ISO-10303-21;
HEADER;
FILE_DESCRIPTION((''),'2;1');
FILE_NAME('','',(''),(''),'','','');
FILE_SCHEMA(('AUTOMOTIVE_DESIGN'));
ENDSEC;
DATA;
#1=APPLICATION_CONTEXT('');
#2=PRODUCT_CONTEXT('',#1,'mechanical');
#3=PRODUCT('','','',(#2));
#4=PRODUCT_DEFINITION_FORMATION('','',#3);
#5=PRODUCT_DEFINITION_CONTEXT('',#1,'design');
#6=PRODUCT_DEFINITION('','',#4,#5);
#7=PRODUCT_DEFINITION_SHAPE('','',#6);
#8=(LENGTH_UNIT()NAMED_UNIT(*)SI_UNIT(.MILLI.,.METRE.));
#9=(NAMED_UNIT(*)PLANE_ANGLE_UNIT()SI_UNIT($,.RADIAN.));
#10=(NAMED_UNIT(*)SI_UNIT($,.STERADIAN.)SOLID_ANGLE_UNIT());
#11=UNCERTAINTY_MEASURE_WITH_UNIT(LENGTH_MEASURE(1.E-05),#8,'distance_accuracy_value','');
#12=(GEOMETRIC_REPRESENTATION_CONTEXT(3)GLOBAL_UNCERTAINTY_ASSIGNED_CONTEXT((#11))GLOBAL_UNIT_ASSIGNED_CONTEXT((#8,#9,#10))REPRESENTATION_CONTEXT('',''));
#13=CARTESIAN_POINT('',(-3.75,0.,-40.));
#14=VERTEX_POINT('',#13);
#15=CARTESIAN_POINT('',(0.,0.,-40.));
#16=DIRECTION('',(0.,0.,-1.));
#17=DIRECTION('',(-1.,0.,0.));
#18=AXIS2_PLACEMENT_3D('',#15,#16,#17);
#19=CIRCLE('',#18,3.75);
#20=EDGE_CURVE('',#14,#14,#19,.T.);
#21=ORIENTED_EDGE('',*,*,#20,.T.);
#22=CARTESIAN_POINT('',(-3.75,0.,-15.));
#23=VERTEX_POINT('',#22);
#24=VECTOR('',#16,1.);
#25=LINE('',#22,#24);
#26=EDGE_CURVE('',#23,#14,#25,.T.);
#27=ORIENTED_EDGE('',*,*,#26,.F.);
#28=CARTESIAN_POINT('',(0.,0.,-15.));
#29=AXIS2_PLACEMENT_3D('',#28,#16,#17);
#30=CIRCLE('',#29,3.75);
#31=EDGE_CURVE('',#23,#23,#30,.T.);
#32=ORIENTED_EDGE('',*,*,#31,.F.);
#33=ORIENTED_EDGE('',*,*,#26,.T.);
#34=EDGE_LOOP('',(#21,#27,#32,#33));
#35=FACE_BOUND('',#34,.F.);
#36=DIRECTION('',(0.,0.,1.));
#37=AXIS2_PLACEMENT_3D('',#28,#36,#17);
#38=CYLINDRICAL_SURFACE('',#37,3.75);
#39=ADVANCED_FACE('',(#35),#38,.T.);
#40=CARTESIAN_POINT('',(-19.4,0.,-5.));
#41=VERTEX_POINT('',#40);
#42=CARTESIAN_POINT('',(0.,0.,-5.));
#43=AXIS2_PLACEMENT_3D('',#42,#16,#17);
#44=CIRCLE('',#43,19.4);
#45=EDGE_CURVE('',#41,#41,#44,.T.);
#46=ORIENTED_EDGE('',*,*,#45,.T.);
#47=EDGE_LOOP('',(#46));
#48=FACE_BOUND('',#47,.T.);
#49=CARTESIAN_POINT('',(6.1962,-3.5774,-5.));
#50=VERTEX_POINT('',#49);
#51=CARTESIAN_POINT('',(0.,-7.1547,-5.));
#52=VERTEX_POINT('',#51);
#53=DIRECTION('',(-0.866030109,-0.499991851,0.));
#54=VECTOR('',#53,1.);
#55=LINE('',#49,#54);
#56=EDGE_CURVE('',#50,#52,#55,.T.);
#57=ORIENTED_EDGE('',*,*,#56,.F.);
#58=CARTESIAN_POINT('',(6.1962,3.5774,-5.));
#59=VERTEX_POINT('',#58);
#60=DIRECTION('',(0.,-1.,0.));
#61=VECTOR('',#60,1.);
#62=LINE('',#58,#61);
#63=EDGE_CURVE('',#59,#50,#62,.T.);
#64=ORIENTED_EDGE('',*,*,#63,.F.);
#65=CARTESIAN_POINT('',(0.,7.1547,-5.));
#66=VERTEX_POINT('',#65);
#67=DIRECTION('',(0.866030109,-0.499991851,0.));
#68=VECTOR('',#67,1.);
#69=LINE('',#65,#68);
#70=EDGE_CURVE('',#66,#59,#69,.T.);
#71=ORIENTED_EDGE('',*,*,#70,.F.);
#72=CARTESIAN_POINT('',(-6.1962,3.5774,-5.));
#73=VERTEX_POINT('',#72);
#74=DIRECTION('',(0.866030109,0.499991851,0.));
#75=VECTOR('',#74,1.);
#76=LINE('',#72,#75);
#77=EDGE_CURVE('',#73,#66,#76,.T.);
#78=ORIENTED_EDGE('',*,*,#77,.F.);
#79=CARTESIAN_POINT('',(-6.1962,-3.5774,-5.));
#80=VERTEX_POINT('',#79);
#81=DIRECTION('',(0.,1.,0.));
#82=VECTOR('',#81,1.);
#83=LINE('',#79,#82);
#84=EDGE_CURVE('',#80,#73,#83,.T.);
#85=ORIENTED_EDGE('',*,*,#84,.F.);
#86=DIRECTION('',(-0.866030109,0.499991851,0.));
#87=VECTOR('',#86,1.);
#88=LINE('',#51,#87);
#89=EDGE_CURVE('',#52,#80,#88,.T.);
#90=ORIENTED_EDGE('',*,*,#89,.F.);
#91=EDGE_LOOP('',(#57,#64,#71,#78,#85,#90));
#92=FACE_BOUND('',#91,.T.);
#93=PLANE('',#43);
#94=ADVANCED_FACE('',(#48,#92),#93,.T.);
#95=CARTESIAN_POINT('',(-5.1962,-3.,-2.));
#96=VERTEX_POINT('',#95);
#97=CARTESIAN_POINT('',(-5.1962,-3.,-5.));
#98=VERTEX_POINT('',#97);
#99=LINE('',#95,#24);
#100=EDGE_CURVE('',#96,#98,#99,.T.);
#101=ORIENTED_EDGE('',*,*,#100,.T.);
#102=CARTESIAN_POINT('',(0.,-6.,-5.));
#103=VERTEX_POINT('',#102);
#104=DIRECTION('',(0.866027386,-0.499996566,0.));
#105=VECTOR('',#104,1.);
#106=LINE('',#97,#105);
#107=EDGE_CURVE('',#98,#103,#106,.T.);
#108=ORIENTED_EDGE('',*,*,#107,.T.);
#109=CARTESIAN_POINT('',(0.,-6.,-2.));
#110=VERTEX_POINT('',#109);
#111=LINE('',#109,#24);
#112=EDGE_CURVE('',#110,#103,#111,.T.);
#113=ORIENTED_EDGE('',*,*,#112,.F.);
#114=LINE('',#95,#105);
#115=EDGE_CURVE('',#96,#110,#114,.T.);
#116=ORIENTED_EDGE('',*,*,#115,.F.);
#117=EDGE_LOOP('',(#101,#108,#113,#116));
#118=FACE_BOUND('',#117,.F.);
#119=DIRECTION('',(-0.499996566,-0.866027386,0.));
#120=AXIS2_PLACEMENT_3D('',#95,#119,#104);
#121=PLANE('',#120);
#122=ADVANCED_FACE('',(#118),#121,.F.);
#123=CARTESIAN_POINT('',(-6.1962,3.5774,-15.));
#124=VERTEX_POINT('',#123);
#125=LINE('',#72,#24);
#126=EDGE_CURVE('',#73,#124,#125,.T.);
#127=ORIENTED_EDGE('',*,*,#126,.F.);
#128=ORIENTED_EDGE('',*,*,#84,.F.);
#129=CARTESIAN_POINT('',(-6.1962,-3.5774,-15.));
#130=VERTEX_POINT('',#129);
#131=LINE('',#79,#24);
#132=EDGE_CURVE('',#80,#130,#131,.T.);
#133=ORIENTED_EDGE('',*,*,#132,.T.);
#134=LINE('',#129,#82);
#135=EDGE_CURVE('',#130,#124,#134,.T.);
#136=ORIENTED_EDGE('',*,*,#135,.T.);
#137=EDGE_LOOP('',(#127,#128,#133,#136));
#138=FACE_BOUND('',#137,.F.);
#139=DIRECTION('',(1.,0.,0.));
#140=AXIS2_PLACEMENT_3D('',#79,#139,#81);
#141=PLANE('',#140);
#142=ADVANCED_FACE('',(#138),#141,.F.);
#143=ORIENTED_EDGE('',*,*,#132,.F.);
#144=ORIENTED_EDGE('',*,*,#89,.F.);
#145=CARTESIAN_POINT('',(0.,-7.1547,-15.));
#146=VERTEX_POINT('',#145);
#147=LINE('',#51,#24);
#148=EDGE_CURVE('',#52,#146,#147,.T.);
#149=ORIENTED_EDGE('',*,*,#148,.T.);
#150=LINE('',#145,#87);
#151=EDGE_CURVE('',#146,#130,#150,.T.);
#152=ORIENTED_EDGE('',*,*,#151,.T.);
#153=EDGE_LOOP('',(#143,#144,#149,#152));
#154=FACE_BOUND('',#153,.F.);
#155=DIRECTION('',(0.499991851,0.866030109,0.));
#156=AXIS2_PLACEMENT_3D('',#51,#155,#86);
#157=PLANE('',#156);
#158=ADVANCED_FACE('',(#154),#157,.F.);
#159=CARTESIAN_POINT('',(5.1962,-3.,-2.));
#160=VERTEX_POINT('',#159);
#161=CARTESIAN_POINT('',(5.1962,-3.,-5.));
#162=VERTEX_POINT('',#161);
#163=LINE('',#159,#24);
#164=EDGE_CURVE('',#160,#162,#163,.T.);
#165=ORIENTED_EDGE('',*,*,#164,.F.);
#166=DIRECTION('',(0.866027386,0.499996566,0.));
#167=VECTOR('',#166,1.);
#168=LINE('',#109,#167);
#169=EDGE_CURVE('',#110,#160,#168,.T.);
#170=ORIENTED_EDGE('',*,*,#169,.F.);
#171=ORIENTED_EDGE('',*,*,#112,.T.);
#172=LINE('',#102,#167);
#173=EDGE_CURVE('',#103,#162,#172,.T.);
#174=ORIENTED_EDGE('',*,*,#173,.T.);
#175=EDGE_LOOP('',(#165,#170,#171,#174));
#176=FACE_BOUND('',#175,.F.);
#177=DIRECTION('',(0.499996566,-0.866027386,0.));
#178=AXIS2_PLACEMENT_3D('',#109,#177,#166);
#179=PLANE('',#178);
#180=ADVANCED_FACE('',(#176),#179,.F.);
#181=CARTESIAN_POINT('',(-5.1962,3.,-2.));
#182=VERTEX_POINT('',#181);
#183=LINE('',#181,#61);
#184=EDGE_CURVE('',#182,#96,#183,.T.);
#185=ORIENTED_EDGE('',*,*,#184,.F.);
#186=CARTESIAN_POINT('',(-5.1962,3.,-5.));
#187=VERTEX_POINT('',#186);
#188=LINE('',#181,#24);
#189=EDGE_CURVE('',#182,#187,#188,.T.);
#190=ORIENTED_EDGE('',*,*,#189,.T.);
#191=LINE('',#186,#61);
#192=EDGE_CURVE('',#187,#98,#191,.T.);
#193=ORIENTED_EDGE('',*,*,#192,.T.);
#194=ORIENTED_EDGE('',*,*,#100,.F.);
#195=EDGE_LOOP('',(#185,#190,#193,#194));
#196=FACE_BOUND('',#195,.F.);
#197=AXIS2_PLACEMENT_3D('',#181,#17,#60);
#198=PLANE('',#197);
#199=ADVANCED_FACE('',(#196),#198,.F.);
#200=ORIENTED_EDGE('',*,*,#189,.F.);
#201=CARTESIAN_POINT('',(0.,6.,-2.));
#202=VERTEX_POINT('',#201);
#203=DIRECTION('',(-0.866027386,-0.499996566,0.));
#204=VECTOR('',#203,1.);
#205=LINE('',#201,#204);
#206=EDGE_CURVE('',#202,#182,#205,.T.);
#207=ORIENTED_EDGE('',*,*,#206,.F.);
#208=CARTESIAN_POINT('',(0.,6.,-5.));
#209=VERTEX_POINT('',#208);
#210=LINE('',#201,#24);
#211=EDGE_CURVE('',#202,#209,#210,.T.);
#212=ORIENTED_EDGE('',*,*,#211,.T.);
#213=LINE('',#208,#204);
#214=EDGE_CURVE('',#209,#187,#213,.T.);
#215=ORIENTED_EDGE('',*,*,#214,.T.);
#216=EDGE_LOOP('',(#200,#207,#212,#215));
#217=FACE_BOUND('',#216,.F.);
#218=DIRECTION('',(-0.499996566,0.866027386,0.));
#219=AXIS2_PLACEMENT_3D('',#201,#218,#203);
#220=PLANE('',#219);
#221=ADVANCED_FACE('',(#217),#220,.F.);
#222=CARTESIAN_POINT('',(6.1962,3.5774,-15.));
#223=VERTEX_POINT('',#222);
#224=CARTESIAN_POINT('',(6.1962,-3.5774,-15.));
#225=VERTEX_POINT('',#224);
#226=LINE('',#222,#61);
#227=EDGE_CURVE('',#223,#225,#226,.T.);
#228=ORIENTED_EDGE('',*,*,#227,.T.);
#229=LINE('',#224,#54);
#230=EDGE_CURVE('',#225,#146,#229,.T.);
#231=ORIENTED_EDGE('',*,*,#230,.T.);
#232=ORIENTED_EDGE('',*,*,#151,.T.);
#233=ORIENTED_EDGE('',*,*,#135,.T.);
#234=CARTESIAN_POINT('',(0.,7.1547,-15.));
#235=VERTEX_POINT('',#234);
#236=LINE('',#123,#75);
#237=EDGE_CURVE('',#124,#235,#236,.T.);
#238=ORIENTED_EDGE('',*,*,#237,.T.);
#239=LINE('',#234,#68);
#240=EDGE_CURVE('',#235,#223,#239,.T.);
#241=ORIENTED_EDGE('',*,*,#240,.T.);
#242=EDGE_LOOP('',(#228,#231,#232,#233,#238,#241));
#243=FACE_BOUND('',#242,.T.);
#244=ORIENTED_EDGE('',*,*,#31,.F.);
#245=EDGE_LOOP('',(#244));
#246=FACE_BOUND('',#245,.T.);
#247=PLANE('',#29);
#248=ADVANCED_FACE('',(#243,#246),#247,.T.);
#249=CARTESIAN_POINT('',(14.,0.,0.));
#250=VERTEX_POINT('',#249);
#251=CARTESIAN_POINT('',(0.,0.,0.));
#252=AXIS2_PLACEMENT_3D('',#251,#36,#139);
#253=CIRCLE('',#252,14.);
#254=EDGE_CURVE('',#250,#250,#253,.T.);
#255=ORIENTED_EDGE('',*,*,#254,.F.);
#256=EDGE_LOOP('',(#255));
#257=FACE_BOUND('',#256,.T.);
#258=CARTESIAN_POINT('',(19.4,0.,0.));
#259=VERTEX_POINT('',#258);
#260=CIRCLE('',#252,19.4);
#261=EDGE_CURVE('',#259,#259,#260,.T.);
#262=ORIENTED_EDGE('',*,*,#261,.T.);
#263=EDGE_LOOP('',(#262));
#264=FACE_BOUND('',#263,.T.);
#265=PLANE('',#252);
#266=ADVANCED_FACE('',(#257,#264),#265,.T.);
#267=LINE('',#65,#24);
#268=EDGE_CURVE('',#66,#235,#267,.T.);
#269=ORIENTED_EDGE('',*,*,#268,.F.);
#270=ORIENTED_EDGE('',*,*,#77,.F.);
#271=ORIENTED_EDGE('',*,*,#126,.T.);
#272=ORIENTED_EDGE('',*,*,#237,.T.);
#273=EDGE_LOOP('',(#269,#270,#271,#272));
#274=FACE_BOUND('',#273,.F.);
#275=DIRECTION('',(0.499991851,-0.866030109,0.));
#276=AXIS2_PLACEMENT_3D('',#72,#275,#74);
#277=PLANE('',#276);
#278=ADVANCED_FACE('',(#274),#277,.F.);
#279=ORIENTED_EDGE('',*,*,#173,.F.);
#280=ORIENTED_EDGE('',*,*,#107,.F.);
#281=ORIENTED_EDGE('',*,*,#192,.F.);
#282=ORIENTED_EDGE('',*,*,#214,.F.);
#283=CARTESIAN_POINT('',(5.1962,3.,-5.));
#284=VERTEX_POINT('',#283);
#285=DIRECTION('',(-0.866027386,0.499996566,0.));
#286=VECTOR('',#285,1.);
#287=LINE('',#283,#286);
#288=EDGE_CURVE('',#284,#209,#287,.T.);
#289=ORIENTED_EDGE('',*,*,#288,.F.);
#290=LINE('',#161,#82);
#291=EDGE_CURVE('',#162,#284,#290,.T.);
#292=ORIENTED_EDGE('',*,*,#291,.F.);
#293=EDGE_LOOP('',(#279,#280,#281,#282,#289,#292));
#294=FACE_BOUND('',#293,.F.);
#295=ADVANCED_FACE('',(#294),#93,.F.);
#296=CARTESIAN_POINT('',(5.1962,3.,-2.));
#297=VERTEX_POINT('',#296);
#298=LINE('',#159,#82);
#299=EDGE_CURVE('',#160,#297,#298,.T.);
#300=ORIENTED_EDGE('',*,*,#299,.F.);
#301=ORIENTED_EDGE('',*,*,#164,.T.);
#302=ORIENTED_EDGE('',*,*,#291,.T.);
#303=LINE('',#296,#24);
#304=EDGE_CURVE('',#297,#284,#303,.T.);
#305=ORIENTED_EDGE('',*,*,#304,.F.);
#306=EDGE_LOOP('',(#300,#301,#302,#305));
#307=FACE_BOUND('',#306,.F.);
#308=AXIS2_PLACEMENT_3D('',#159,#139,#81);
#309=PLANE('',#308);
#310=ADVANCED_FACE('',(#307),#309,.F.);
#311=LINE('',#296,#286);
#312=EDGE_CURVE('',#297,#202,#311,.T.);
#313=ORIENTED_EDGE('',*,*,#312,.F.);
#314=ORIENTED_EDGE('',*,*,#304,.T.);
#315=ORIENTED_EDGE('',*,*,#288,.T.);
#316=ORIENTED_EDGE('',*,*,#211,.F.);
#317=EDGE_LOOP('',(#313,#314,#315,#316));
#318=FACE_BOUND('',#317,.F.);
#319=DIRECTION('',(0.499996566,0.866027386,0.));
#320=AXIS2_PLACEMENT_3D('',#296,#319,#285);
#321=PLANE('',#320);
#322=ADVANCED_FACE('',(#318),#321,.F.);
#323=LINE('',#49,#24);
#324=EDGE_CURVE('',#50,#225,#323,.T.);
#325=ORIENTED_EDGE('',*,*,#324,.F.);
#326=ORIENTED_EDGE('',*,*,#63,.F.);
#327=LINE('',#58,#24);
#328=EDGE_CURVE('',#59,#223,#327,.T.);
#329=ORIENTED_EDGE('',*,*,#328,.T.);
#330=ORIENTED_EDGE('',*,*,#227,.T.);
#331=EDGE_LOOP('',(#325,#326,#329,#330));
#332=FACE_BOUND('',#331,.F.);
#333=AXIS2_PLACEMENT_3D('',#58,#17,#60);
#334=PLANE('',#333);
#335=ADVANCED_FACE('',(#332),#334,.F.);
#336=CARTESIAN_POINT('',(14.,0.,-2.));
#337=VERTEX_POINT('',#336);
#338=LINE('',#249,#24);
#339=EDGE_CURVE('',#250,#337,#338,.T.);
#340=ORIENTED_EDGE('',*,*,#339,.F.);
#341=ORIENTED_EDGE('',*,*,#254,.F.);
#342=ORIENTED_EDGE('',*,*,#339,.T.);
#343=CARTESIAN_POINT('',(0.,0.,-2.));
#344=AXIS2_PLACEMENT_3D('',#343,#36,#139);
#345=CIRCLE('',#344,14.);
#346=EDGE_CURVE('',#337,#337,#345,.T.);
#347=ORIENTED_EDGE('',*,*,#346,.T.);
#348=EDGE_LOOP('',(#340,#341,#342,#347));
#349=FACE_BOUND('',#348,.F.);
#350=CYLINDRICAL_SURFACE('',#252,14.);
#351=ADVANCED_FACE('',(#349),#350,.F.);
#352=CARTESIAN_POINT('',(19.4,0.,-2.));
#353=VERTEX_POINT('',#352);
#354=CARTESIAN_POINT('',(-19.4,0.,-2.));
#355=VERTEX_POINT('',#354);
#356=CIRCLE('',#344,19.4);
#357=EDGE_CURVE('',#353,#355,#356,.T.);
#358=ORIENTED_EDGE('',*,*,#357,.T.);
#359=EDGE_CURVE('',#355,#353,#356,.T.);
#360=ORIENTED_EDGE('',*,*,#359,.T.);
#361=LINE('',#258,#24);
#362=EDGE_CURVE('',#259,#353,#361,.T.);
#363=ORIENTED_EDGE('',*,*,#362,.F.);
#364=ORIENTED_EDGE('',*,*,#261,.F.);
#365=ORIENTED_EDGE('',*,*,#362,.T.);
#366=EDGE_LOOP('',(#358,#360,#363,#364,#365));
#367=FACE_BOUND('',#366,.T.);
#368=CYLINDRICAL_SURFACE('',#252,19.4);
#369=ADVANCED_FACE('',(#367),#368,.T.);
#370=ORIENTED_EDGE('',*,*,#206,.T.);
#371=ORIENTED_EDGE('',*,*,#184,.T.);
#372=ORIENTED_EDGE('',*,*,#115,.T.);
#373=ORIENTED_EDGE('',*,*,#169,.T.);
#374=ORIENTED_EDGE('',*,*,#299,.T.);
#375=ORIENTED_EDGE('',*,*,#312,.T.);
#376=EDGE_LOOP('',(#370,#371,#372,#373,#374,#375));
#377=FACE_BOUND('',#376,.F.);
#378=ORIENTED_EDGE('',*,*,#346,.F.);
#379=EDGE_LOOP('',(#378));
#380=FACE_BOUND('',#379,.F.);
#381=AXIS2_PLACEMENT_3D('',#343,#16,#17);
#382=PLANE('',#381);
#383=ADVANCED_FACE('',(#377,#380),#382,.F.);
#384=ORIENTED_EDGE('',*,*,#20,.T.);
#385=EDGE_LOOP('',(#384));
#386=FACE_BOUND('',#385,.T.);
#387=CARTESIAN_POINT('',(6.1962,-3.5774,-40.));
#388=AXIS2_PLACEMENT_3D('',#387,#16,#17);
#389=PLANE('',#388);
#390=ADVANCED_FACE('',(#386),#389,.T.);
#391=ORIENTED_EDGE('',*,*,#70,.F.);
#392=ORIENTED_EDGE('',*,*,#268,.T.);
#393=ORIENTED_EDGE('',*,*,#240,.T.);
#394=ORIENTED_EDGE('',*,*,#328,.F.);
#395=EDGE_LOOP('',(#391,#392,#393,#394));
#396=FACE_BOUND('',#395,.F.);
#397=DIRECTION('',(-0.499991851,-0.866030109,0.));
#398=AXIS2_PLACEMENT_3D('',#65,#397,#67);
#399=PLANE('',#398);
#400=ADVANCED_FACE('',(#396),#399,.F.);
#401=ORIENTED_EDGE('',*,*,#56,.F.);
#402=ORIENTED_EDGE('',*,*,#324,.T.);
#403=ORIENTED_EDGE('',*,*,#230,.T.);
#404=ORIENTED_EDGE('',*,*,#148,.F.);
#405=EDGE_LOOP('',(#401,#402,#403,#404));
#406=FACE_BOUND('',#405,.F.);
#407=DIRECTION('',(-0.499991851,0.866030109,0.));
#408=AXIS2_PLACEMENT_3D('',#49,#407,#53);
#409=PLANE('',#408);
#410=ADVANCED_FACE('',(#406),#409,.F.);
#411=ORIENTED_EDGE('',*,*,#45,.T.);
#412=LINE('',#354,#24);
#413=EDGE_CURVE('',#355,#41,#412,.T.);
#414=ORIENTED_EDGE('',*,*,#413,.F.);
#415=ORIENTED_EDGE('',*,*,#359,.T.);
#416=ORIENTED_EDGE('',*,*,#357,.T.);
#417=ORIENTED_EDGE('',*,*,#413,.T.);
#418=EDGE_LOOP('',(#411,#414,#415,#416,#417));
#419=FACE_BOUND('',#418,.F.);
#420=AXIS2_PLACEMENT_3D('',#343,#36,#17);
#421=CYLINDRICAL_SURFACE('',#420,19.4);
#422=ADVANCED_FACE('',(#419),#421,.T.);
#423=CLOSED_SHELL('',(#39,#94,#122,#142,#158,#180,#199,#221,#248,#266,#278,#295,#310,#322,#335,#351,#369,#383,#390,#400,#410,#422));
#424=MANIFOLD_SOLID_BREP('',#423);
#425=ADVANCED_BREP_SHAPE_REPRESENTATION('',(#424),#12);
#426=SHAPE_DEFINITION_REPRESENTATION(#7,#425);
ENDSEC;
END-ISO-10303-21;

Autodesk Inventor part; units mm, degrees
sketch "Sketch1" plane through (0, 0, 0) normal (0, 0, 1) x (1, 0, 0)
  circle A0 centre (0, 0) radius 19.4
  circle A1 centre (0, 0) radius 14
  dimension "d0" = 38.8
  dimension "d1" = 28
extrude "Extrusion1" add sketch "Sketch1" against normal blind 2
ref_plane "Work Plane1" through (-19.6075, -25, -15) normal (0, 0, 1) x (1, 0, 0)
ref_plane "Work Plane2" through (-137.3725, -100, -40) normal (0, 0, -1) x (0, 1, 0)
sketch "Sketch5" plane through (0, 0, -2) normal (0, 0, -1) x (-1, 0, 0)
  circle A0 centre (0, 0) radius 19.4 projected
  line L0 (-5.1962, -3) -> (-5.1962, 3)
  line L1 (-5.1962, 3) -> (0, 6)
  line L2 (0, 6) -> (5.1962, 3)
  line L3 (5.1962, 3) -> (5.1962, -3)
  line L4 (5.1962, -3) -> (0, -6)
  line L5 (0, -6) -> (-5.1962, -3)
  dimension "d14" = 6
extrude "Extrusion5" add sketch "Sketch5" along normal blind 3
sketch "Sketch6" plane through (0, 0, -5) normal (0, 0, -1) x (-1, 0, 0)
  circle A0 centre (0, 0) radius 19.4 projected
  line L0 (-5.1962, -3) -> (-5.1962, 3) projected
  line L1 (-5.1962, 3) -> (0, 6) projected
  line L2 (0, 6) -> (5.1962, 3) projected
  line L3 (5.1962, 3) -> (5.1962, -3) projected
  line L4 (5.1962, -3) -> (0, -6) projected
  line L5 (0, -6) -> (-5.1962, -3) projected
  line L6 (-6.1962, 3.5774) -> (-6.1962, -3.5774)
  line L7 (-6.1962, -3.5774) -> (0, -7.1547)
  line L8 (0, -7.1547) -> (6.1962, -3.5774)
  line L9 (6.1962, -3.5774) -> (6.1962, 3.5774)
  line L10 (6.1962, 3.5774) -> (0, 7.1547)
  line L11 (0, 7.1547) -> (-6.1962, 3.5774)
  dimension "d17" = 1
ref_plane "Work Plane3" through (-19.6075, -25, -15) normal (0, 0, 1) x (1, 0, 0)
extrude "Extrusion6" add sketch "Sketch6" along normal up to surface (10 mm away) contours L0 L1 L2 L3 L4 L5 | L11 L10 L9 L8 L7 L6
sketch "Sketch7" plane through (6.1962, -3.5774, -15) normal (0, 0, -1) x (-1, 0, 0)
  circle A0 centre (6.1962, 3.5774) radius 3.75
  dimension "d20" = 7.5
ref_plane "Work Plane4" through (-137.3725, -100, -40) normal (0, 0, -1) x (0, 1, 0)
extrude "Extrusion7" add sketch "Sketch7" along normal up to surface (25 mm away)
properties part number "Reverser"
